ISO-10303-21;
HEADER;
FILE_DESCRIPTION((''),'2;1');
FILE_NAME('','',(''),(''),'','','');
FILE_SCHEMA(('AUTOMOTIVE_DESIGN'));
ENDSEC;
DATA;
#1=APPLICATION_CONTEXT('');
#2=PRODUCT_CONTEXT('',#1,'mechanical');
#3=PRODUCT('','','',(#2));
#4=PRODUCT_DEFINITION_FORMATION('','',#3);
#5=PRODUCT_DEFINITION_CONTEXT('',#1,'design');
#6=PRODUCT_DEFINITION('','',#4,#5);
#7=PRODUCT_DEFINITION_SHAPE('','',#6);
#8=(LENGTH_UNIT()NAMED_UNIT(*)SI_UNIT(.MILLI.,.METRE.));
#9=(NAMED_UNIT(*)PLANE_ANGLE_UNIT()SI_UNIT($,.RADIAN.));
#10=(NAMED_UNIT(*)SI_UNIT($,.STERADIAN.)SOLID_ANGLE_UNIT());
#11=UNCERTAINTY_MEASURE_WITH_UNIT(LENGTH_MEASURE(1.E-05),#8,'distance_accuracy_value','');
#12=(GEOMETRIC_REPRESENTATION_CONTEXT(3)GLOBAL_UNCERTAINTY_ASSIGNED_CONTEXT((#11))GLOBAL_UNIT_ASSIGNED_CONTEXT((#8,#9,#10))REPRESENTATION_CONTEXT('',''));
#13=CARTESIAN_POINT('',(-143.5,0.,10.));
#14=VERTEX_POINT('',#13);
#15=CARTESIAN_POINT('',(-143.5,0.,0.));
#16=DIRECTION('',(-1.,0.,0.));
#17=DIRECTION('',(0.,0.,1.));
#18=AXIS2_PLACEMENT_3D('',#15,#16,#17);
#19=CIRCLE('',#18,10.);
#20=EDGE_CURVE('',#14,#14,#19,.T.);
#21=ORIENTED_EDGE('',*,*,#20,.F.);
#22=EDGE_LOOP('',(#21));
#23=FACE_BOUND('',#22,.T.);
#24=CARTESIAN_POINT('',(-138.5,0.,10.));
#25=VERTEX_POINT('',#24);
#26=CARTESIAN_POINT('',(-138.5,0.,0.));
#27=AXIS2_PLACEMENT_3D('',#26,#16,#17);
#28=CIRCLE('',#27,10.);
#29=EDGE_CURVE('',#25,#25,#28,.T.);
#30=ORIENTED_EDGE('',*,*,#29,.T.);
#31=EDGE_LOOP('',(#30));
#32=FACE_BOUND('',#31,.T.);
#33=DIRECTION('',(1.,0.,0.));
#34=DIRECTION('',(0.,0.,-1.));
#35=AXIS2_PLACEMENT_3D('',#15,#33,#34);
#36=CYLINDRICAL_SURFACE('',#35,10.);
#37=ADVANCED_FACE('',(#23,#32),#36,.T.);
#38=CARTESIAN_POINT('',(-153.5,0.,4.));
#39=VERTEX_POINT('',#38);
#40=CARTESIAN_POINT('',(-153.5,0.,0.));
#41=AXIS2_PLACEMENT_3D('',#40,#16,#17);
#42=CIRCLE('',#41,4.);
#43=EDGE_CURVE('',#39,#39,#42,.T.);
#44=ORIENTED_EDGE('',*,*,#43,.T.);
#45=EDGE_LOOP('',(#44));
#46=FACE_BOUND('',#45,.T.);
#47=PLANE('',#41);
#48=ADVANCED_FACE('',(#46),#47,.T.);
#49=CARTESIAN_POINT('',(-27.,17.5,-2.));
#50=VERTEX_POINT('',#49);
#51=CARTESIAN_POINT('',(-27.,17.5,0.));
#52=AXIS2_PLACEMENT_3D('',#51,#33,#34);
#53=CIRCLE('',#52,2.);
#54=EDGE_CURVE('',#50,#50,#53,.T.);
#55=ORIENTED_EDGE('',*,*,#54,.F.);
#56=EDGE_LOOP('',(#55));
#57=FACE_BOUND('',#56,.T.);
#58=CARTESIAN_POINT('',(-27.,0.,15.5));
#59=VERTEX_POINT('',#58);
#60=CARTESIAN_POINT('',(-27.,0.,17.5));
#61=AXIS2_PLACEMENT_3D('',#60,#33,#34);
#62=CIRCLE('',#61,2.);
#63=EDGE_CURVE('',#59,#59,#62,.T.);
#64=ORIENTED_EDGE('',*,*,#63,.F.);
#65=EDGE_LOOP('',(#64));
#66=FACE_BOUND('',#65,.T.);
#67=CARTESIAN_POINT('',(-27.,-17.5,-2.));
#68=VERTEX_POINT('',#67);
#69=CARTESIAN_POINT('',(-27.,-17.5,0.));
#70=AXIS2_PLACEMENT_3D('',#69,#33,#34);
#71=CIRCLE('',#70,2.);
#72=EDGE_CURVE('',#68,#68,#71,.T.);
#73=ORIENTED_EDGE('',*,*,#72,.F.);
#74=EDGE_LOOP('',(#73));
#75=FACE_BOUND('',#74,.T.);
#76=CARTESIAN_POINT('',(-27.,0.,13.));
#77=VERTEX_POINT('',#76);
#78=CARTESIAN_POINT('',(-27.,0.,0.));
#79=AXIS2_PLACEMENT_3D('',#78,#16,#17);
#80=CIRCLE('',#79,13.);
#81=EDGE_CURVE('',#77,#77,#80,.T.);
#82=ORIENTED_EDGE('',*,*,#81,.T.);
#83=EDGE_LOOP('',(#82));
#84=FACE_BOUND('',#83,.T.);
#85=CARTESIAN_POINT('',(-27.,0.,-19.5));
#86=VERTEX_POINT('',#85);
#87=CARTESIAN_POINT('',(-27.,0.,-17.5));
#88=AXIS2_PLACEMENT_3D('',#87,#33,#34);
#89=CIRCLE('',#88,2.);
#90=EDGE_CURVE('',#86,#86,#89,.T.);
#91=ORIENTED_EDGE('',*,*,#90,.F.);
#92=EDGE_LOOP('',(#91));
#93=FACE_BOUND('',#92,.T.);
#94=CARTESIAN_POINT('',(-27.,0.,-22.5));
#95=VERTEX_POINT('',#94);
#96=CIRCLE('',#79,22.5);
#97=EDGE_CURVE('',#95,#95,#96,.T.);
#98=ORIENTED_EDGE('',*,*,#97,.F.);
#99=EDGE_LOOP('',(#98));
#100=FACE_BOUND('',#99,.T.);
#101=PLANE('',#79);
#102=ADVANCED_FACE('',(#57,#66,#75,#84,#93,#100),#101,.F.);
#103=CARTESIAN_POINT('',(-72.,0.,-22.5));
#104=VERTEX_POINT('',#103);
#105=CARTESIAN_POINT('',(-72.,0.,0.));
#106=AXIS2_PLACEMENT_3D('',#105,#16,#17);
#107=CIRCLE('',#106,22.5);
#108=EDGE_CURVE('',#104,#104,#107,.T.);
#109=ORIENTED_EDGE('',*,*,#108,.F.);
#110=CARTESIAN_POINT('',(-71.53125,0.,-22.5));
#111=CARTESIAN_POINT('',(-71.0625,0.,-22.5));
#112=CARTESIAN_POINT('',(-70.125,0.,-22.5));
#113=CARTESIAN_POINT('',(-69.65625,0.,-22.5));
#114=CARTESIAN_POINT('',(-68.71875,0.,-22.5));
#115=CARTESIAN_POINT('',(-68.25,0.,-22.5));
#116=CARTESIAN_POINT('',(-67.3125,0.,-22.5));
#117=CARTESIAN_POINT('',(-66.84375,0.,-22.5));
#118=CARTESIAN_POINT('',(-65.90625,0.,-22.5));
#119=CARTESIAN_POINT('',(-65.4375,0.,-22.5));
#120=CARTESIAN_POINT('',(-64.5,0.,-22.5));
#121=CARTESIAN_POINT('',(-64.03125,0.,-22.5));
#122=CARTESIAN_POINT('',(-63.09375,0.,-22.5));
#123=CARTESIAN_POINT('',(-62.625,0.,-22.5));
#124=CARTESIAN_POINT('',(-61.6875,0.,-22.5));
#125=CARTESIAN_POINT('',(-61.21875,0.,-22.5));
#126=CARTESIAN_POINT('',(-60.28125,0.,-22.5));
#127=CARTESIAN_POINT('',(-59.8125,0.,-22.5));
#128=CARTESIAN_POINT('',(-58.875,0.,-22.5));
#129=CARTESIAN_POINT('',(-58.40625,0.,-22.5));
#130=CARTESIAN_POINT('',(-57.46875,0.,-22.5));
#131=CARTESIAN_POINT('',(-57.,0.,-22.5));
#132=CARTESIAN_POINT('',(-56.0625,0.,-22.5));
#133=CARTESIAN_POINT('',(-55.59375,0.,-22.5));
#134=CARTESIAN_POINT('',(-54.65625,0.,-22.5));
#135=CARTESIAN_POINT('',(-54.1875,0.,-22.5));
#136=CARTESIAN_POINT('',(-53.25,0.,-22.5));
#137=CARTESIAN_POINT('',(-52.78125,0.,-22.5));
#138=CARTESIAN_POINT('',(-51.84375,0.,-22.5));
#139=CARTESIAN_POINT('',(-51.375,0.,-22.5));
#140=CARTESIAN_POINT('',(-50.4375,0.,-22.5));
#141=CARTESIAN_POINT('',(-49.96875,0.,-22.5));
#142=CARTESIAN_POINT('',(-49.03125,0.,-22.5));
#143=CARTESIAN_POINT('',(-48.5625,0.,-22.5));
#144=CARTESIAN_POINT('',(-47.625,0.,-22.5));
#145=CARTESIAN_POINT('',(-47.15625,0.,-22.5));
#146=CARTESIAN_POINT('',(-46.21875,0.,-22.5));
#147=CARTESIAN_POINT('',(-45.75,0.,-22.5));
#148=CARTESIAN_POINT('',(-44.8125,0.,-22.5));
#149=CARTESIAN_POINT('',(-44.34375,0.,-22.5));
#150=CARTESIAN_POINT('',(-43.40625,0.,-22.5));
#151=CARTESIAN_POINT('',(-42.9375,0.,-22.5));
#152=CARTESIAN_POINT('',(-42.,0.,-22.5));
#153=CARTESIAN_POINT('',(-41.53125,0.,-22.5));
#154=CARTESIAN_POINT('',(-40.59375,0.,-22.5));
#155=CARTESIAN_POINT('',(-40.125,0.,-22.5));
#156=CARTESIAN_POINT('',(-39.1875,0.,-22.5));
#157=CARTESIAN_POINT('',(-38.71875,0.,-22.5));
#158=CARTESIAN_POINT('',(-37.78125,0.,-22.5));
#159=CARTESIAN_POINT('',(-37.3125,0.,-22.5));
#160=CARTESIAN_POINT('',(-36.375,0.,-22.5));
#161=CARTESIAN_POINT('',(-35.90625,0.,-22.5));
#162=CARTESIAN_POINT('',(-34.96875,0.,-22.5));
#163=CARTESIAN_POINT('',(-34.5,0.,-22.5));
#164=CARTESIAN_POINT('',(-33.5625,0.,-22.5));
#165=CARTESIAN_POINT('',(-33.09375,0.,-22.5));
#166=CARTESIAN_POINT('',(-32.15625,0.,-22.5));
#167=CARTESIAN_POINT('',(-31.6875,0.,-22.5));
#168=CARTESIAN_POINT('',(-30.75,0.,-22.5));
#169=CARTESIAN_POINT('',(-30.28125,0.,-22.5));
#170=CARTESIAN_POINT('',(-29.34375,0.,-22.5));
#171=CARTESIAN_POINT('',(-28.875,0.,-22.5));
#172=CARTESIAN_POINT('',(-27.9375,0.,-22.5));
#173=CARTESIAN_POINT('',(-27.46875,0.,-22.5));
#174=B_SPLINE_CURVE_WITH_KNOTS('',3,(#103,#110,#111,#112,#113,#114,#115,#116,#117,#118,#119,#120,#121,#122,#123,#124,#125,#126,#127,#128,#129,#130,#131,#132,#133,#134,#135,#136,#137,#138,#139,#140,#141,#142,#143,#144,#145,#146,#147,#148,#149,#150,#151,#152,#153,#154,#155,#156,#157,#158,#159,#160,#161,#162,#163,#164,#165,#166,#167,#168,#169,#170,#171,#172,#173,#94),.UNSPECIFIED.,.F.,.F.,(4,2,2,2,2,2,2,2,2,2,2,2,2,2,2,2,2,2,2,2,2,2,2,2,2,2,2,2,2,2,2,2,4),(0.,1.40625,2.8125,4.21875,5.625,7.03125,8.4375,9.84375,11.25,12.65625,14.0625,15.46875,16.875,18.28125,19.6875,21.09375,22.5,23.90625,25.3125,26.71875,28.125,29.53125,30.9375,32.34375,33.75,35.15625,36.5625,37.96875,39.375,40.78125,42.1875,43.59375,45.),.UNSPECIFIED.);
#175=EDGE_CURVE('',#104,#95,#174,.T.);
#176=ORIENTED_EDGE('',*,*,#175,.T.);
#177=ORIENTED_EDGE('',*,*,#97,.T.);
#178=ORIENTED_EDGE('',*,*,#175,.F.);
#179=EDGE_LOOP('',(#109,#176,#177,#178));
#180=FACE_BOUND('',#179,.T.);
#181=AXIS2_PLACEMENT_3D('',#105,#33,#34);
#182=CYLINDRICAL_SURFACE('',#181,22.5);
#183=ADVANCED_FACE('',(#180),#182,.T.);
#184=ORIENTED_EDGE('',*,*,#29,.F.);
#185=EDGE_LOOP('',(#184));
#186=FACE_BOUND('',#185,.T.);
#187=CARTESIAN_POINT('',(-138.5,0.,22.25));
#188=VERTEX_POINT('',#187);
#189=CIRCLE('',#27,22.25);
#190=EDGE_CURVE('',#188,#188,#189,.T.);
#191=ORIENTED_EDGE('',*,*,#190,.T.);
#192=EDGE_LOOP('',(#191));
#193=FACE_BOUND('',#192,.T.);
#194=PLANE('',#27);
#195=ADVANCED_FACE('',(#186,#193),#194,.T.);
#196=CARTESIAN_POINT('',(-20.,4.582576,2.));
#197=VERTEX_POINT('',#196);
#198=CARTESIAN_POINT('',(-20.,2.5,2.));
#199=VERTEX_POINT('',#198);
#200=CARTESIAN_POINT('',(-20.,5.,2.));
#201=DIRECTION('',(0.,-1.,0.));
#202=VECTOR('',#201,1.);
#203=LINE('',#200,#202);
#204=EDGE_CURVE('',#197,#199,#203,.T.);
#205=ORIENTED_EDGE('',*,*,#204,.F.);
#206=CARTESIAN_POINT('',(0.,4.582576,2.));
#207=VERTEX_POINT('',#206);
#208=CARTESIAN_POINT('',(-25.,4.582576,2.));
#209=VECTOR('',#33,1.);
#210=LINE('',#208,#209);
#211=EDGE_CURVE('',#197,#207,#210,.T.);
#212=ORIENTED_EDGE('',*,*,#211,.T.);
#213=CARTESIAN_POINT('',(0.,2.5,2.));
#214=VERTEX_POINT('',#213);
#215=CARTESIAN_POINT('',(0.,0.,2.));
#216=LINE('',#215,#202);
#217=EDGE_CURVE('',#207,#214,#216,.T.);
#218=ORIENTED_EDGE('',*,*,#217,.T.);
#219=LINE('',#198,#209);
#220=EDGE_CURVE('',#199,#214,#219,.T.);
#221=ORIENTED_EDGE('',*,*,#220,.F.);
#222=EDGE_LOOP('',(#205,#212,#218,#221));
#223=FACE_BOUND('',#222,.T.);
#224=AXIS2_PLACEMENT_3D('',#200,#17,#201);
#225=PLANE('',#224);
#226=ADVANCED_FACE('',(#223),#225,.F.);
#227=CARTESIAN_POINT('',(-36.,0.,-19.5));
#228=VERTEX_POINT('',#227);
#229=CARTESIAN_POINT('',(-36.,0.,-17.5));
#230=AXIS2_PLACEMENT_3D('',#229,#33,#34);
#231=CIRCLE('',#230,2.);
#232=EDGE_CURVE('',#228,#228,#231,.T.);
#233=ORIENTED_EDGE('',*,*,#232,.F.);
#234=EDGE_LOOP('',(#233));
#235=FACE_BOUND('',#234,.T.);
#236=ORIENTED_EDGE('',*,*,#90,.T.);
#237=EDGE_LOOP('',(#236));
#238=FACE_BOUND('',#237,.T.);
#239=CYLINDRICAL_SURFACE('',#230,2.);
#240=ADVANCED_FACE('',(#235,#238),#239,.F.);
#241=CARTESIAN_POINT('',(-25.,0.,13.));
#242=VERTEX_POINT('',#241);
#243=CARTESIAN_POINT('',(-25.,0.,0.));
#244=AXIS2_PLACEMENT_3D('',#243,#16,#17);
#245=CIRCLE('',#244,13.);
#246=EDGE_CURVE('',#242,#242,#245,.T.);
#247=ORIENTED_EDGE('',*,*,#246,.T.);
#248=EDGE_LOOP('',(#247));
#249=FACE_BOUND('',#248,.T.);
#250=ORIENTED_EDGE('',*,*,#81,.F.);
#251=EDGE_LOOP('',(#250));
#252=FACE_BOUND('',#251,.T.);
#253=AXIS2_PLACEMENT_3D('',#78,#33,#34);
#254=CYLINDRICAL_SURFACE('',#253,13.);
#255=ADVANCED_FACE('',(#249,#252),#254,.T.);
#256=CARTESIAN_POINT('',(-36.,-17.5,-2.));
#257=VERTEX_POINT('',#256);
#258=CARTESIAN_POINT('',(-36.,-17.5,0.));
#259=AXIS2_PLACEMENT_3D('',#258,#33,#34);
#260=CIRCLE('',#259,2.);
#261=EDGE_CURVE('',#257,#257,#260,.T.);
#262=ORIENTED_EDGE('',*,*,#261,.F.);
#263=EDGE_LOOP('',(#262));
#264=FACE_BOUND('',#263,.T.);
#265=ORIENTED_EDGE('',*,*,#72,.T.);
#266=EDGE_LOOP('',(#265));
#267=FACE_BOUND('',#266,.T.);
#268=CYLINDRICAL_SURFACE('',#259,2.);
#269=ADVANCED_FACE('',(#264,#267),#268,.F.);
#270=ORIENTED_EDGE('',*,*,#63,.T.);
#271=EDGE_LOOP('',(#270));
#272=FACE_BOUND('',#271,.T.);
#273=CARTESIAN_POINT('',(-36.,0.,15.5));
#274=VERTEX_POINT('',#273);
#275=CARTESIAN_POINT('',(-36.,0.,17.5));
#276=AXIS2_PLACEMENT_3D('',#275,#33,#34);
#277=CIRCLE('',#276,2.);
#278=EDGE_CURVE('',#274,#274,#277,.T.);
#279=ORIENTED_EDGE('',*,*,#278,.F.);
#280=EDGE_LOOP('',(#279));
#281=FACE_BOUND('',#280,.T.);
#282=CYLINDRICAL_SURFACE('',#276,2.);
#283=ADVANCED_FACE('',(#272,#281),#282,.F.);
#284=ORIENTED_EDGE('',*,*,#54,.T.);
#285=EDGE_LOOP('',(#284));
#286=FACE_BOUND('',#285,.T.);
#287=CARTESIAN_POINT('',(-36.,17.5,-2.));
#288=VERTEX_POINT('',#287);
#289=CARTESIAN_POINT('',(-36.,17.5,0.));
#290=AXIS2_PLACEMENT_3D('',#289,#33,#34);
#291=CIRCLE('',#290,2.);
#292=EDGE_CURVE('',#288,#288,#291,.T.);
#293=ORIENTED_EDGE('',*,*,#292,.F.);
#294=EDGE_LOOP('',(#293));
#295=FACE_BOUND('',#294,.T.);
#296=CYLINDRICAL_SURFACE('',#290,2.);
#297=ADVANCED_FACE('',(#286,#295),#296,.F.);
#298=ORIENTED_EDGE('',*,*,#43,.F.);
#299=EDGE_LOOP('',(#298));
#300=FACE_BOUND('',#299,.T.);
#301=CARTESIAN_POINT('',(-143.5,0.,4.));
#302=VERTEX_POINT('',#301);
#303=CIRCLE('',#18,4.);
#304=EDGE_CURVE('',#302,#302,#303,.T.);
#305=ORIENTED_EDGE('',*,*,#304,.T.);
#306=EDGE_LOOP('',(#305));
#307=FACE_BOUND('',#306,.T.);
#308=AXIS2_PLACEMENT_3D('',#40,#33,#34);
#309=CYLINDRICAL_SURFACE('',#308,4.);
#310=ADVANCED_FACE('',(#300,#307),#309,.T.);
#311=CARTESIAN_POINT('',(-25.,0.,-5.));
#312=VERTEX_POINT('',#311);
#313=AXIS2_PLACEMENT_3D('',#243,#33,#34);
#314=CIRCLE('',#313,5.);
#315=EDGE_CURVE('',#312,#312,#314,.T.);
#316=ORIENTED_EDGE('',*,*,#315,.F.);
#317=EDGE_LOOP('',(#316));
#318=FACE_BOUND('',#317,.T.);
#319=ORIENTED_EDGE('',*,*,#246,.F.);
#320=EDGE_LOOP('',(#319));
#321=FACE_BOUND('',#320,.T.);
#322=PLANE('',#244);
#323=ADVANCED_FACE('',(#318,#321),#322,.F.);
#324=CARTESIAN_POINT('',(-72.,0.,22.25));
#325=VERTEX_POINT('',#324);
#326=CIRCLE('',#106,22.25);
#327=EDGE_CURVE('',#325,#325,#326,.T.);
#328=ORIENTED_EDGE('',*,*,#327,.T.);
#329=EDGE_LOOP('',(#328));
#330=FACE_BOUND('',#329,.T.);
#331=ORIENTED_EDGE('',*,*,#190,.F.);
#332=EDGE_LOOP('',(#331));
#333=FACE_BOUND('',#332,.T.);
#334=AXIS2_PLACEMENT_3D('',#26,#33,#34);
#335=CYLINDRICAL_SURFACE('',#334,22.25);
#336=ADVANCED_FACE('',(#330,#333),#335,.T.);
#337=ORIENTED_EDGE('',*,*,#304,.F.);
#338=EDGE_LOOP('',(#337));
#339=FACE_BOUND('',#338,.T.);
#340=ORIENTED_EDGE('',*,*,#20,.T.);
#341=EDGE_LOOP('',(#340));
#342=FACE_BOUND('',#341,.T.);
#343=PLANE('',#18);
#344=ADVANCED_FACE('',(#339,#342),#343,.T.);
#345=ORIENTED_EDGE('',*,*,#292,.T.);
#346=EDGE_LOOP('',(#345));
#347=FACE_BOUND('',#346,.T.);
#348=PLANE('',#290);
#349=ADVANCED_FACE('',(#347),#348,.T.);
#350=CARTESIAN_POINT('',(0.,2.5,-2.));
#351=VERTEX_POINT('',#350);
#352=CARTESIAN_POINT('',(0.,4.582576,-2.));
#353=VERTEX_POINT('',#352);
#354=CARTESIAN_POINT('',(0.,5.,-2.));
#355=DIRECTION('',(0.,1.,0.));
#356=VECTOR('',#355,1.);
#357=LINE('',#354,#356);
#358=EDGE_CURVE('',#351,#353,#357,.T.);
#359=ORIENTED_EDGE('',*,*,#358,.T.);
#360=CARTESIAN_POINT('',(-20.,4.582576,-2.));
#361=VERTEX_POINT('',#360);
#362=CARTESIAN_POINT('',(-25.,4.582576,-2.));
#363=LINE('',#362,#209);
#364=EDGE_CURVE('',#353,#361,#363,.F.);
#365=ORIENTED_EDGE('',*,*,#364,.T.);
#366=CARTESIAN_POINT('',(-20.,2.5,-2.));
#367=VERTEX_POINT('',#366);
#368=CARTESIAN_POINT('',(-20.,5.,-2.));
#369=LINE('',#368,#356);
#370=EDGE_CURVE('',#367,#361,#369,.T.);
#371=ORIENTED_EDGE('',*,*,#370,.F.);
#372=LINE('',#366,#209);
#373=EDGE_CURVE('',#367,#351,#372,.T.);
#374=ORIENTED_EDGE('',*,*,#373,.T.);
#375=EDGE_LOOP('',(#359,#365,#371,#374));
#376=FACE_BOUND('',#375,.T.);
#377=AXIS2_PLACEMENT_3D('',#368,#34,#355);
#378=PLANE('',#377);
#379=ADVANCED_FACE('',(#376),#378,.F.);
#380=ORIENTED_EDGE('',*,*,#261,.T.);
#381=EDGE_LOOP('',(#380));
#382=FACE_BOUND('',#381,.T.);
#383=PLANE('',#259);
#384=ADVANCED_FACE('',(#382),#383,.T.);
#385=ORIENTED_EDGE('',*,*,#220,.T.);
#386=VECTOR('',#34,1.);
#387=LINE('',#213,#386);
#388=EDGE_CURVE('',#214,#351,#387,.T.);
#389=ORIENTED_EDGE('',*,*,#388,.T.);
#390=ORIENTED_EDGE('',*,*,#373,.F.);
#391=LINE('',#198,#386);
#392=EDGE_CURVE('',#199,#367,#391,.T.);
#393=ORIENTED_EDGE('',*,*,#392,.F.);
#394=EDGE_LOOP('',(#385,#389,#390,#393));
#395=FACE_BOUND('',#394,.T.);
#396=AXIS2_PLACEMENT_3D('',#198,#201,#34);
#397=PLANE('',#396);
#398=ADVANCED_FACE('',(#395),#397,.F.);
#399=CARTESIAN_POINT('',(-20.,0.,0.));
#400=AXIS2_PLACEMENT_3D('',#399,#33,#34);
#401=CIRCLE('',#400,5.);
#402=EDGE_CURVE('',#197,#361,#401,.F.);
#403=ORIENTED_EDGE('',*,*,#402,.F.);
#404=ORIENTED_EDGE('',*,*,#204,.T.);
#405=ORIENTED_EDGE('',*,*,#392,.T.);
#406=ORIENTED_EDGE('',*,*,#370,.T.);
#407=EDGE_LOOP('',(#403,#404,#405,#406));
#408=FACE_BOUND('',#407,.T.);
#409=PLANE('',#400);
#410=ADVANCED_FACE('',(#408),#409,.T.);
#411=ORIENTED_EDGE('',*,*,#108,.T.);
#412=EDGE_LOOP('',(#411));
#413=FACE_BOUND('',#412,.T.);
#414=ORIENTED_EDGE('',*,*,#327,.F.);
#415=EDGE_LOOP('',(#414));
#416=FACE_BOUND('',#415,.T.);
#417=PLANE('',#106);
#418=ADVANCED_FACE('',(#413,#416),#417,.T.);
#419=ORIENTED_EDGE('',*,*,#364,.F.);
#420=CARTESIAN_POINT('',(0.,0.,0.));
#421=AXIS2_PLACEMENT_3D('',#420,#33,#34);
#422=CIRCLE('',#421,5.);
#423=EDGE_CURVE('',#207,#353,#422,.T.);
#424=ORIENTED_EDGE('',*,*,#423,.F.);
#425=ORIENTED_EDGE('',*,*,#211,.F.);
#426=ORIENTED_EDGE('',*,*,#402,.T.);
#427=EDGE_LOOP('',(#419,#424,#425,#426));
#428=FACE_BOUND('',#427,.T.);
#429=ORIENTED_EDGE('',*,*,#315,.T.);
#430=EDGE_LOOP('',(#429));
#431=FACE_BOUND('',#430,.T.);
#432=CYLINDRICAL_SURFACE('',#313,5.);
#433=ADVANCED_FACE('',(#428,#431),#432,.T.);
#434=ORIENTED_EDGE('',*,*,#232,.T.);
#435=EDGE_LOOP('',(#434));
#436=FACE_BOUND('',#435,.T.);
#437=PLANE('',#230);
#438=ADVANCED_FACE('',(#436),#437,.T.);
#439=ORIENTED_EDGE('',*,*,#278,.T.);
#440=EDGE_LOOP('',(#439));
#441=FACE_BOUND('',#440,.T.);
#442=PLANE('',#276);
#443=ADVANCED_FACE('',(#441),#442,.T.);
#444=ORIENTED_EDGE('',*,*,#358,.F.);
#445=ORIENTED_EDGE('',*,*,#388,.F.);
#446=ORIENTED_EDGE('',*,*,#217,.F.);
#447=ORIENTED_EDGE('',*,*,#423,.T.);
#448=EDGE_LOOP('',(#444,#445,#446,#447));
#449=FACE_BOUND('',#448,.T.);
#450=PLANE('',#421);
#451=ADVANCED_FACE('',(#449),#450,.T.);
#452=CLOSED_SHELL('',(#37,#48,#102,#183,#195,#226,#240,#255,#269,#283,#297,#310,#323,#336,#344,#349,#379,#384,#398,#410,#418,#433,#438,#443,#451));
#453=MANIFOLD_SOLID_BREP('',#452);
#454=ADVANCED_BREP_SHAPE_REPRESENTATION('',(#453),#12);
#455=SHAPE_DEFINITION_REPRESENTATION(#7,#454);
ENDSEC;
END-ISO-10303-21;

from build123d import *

# Parameters (mm, degrees)
SKETCH1_R           = 5
BOSS_EXTRUDE1_DEPTH = 25
SKETCH2_R           = 13
BOSS_EXTRUDE2_DEPTH = 2
SKETCH3_R           = 22.5
BOSS_EXTRUDE3_DEPTH = 45
SKETCH4_R           = 22.25
BOSS_EXTRUDE4_DEPTH = 66.5
SKETCH5_R           = 10
BOSS_EXTRUDE5_DEPTH = 5
SKETCH6_R           = 4
BOSS_EXTRUDE6_DEPTH = 10
SKETCH7_R           = 2
CUT_EXTRUDE1_DEPTH  = 9
SKETCH8_W           = 4
SKETCH8_H           = 2.5
CUT_EXTRUDE2_DEPTH  = 20


with BuildPart() as part:
    # Sketch1 → Boss-Extrude1 (new body)
    with BuildSketch(Plane(origin=(0, 0, 0), x_dir=(0, 0, -1), z_dir=(1, 0, 0))):
        Circle(SKETCH1_R)
    extrude(amount=-BOSS_EXTRUDE1_DEPTH)

    # Sketch2 → Boss-Extrude2 (add)
    with BuildSketch(Plane.ZY.offset(25)):
        Circle(SKETCH2_R)
    extrude(amount=BOSS_EXTRUDE2_DEPTH)

    # Sketch3 → Boss-Extrude3 (add)
    with BuildSketch(Plane.ZY.offset(27)):
        with Locations(Location((0, 0, 0), (0, 0, 180))):
            Circle(SKETCH3_R)
    extrude(amount=BOSS_EXTRUDE3_DEPTH)

    # Sketch4 → Boss-Extrude4 (add)
    with BuildSketch(Plane.ZY.offset(72)):
        Circle(SKETCH4_R)
    extrude(amount=BOSS_EXTRUDE4_DEPTH)

    # Sketch5 → Boss-Extrude5 (add)
    with BuildSketch(Plane.ZY.offset(138.5)):
        Circle(SKETCH5_R)
    extrude(amount=BOSS_EXTRUDE5_DEPTH)

    # Sketch6 → Boss-Extrude6 (add)
    with BuildSketch(Plane.ZY.offset(143.5)):
        Circle(SKETCH6_R)
    extrude(amount=BOSS_EXTRUDE6_DEPTH)

    # Sketch7 → Cut-Extrude1 (cut)
    with BuildSketch(Plane(origin=(-27, 0, 0), x_dir=(0, 0, -1), z_dir=(1, 0, 0))):
        with Locations((0, 17.5)):
            Circle(SKETCH7_R)
        with Locations((17.5, 0)):
            Circle(SKETCH7_R)
        with Locations((0, -17.5)):
            Circle(SKETCH7_R)
        with Locations((-17.5, 0)):
            Circle(SKETCH7_R)
    extrude(amount=-CUT_EXTRUDE1_DEPTH, mode=Mode.SUBTRACT)

    # Sketch8 → Cut-Extrude2 (cut)
    with BuildSketch(Plane(origin=(0, 0, 0), x_dir=(0, 0, -1), z_dir=(1, 0, 0))):
        with Locations((0, 3.75)):
            Rectangle(SKETCH8_W, SKETCH8_H)
    extrude(amount=-CUT_EXTRUDE2_DEPTH, mode=Mode.SUBTRACT)


solid = part.part
